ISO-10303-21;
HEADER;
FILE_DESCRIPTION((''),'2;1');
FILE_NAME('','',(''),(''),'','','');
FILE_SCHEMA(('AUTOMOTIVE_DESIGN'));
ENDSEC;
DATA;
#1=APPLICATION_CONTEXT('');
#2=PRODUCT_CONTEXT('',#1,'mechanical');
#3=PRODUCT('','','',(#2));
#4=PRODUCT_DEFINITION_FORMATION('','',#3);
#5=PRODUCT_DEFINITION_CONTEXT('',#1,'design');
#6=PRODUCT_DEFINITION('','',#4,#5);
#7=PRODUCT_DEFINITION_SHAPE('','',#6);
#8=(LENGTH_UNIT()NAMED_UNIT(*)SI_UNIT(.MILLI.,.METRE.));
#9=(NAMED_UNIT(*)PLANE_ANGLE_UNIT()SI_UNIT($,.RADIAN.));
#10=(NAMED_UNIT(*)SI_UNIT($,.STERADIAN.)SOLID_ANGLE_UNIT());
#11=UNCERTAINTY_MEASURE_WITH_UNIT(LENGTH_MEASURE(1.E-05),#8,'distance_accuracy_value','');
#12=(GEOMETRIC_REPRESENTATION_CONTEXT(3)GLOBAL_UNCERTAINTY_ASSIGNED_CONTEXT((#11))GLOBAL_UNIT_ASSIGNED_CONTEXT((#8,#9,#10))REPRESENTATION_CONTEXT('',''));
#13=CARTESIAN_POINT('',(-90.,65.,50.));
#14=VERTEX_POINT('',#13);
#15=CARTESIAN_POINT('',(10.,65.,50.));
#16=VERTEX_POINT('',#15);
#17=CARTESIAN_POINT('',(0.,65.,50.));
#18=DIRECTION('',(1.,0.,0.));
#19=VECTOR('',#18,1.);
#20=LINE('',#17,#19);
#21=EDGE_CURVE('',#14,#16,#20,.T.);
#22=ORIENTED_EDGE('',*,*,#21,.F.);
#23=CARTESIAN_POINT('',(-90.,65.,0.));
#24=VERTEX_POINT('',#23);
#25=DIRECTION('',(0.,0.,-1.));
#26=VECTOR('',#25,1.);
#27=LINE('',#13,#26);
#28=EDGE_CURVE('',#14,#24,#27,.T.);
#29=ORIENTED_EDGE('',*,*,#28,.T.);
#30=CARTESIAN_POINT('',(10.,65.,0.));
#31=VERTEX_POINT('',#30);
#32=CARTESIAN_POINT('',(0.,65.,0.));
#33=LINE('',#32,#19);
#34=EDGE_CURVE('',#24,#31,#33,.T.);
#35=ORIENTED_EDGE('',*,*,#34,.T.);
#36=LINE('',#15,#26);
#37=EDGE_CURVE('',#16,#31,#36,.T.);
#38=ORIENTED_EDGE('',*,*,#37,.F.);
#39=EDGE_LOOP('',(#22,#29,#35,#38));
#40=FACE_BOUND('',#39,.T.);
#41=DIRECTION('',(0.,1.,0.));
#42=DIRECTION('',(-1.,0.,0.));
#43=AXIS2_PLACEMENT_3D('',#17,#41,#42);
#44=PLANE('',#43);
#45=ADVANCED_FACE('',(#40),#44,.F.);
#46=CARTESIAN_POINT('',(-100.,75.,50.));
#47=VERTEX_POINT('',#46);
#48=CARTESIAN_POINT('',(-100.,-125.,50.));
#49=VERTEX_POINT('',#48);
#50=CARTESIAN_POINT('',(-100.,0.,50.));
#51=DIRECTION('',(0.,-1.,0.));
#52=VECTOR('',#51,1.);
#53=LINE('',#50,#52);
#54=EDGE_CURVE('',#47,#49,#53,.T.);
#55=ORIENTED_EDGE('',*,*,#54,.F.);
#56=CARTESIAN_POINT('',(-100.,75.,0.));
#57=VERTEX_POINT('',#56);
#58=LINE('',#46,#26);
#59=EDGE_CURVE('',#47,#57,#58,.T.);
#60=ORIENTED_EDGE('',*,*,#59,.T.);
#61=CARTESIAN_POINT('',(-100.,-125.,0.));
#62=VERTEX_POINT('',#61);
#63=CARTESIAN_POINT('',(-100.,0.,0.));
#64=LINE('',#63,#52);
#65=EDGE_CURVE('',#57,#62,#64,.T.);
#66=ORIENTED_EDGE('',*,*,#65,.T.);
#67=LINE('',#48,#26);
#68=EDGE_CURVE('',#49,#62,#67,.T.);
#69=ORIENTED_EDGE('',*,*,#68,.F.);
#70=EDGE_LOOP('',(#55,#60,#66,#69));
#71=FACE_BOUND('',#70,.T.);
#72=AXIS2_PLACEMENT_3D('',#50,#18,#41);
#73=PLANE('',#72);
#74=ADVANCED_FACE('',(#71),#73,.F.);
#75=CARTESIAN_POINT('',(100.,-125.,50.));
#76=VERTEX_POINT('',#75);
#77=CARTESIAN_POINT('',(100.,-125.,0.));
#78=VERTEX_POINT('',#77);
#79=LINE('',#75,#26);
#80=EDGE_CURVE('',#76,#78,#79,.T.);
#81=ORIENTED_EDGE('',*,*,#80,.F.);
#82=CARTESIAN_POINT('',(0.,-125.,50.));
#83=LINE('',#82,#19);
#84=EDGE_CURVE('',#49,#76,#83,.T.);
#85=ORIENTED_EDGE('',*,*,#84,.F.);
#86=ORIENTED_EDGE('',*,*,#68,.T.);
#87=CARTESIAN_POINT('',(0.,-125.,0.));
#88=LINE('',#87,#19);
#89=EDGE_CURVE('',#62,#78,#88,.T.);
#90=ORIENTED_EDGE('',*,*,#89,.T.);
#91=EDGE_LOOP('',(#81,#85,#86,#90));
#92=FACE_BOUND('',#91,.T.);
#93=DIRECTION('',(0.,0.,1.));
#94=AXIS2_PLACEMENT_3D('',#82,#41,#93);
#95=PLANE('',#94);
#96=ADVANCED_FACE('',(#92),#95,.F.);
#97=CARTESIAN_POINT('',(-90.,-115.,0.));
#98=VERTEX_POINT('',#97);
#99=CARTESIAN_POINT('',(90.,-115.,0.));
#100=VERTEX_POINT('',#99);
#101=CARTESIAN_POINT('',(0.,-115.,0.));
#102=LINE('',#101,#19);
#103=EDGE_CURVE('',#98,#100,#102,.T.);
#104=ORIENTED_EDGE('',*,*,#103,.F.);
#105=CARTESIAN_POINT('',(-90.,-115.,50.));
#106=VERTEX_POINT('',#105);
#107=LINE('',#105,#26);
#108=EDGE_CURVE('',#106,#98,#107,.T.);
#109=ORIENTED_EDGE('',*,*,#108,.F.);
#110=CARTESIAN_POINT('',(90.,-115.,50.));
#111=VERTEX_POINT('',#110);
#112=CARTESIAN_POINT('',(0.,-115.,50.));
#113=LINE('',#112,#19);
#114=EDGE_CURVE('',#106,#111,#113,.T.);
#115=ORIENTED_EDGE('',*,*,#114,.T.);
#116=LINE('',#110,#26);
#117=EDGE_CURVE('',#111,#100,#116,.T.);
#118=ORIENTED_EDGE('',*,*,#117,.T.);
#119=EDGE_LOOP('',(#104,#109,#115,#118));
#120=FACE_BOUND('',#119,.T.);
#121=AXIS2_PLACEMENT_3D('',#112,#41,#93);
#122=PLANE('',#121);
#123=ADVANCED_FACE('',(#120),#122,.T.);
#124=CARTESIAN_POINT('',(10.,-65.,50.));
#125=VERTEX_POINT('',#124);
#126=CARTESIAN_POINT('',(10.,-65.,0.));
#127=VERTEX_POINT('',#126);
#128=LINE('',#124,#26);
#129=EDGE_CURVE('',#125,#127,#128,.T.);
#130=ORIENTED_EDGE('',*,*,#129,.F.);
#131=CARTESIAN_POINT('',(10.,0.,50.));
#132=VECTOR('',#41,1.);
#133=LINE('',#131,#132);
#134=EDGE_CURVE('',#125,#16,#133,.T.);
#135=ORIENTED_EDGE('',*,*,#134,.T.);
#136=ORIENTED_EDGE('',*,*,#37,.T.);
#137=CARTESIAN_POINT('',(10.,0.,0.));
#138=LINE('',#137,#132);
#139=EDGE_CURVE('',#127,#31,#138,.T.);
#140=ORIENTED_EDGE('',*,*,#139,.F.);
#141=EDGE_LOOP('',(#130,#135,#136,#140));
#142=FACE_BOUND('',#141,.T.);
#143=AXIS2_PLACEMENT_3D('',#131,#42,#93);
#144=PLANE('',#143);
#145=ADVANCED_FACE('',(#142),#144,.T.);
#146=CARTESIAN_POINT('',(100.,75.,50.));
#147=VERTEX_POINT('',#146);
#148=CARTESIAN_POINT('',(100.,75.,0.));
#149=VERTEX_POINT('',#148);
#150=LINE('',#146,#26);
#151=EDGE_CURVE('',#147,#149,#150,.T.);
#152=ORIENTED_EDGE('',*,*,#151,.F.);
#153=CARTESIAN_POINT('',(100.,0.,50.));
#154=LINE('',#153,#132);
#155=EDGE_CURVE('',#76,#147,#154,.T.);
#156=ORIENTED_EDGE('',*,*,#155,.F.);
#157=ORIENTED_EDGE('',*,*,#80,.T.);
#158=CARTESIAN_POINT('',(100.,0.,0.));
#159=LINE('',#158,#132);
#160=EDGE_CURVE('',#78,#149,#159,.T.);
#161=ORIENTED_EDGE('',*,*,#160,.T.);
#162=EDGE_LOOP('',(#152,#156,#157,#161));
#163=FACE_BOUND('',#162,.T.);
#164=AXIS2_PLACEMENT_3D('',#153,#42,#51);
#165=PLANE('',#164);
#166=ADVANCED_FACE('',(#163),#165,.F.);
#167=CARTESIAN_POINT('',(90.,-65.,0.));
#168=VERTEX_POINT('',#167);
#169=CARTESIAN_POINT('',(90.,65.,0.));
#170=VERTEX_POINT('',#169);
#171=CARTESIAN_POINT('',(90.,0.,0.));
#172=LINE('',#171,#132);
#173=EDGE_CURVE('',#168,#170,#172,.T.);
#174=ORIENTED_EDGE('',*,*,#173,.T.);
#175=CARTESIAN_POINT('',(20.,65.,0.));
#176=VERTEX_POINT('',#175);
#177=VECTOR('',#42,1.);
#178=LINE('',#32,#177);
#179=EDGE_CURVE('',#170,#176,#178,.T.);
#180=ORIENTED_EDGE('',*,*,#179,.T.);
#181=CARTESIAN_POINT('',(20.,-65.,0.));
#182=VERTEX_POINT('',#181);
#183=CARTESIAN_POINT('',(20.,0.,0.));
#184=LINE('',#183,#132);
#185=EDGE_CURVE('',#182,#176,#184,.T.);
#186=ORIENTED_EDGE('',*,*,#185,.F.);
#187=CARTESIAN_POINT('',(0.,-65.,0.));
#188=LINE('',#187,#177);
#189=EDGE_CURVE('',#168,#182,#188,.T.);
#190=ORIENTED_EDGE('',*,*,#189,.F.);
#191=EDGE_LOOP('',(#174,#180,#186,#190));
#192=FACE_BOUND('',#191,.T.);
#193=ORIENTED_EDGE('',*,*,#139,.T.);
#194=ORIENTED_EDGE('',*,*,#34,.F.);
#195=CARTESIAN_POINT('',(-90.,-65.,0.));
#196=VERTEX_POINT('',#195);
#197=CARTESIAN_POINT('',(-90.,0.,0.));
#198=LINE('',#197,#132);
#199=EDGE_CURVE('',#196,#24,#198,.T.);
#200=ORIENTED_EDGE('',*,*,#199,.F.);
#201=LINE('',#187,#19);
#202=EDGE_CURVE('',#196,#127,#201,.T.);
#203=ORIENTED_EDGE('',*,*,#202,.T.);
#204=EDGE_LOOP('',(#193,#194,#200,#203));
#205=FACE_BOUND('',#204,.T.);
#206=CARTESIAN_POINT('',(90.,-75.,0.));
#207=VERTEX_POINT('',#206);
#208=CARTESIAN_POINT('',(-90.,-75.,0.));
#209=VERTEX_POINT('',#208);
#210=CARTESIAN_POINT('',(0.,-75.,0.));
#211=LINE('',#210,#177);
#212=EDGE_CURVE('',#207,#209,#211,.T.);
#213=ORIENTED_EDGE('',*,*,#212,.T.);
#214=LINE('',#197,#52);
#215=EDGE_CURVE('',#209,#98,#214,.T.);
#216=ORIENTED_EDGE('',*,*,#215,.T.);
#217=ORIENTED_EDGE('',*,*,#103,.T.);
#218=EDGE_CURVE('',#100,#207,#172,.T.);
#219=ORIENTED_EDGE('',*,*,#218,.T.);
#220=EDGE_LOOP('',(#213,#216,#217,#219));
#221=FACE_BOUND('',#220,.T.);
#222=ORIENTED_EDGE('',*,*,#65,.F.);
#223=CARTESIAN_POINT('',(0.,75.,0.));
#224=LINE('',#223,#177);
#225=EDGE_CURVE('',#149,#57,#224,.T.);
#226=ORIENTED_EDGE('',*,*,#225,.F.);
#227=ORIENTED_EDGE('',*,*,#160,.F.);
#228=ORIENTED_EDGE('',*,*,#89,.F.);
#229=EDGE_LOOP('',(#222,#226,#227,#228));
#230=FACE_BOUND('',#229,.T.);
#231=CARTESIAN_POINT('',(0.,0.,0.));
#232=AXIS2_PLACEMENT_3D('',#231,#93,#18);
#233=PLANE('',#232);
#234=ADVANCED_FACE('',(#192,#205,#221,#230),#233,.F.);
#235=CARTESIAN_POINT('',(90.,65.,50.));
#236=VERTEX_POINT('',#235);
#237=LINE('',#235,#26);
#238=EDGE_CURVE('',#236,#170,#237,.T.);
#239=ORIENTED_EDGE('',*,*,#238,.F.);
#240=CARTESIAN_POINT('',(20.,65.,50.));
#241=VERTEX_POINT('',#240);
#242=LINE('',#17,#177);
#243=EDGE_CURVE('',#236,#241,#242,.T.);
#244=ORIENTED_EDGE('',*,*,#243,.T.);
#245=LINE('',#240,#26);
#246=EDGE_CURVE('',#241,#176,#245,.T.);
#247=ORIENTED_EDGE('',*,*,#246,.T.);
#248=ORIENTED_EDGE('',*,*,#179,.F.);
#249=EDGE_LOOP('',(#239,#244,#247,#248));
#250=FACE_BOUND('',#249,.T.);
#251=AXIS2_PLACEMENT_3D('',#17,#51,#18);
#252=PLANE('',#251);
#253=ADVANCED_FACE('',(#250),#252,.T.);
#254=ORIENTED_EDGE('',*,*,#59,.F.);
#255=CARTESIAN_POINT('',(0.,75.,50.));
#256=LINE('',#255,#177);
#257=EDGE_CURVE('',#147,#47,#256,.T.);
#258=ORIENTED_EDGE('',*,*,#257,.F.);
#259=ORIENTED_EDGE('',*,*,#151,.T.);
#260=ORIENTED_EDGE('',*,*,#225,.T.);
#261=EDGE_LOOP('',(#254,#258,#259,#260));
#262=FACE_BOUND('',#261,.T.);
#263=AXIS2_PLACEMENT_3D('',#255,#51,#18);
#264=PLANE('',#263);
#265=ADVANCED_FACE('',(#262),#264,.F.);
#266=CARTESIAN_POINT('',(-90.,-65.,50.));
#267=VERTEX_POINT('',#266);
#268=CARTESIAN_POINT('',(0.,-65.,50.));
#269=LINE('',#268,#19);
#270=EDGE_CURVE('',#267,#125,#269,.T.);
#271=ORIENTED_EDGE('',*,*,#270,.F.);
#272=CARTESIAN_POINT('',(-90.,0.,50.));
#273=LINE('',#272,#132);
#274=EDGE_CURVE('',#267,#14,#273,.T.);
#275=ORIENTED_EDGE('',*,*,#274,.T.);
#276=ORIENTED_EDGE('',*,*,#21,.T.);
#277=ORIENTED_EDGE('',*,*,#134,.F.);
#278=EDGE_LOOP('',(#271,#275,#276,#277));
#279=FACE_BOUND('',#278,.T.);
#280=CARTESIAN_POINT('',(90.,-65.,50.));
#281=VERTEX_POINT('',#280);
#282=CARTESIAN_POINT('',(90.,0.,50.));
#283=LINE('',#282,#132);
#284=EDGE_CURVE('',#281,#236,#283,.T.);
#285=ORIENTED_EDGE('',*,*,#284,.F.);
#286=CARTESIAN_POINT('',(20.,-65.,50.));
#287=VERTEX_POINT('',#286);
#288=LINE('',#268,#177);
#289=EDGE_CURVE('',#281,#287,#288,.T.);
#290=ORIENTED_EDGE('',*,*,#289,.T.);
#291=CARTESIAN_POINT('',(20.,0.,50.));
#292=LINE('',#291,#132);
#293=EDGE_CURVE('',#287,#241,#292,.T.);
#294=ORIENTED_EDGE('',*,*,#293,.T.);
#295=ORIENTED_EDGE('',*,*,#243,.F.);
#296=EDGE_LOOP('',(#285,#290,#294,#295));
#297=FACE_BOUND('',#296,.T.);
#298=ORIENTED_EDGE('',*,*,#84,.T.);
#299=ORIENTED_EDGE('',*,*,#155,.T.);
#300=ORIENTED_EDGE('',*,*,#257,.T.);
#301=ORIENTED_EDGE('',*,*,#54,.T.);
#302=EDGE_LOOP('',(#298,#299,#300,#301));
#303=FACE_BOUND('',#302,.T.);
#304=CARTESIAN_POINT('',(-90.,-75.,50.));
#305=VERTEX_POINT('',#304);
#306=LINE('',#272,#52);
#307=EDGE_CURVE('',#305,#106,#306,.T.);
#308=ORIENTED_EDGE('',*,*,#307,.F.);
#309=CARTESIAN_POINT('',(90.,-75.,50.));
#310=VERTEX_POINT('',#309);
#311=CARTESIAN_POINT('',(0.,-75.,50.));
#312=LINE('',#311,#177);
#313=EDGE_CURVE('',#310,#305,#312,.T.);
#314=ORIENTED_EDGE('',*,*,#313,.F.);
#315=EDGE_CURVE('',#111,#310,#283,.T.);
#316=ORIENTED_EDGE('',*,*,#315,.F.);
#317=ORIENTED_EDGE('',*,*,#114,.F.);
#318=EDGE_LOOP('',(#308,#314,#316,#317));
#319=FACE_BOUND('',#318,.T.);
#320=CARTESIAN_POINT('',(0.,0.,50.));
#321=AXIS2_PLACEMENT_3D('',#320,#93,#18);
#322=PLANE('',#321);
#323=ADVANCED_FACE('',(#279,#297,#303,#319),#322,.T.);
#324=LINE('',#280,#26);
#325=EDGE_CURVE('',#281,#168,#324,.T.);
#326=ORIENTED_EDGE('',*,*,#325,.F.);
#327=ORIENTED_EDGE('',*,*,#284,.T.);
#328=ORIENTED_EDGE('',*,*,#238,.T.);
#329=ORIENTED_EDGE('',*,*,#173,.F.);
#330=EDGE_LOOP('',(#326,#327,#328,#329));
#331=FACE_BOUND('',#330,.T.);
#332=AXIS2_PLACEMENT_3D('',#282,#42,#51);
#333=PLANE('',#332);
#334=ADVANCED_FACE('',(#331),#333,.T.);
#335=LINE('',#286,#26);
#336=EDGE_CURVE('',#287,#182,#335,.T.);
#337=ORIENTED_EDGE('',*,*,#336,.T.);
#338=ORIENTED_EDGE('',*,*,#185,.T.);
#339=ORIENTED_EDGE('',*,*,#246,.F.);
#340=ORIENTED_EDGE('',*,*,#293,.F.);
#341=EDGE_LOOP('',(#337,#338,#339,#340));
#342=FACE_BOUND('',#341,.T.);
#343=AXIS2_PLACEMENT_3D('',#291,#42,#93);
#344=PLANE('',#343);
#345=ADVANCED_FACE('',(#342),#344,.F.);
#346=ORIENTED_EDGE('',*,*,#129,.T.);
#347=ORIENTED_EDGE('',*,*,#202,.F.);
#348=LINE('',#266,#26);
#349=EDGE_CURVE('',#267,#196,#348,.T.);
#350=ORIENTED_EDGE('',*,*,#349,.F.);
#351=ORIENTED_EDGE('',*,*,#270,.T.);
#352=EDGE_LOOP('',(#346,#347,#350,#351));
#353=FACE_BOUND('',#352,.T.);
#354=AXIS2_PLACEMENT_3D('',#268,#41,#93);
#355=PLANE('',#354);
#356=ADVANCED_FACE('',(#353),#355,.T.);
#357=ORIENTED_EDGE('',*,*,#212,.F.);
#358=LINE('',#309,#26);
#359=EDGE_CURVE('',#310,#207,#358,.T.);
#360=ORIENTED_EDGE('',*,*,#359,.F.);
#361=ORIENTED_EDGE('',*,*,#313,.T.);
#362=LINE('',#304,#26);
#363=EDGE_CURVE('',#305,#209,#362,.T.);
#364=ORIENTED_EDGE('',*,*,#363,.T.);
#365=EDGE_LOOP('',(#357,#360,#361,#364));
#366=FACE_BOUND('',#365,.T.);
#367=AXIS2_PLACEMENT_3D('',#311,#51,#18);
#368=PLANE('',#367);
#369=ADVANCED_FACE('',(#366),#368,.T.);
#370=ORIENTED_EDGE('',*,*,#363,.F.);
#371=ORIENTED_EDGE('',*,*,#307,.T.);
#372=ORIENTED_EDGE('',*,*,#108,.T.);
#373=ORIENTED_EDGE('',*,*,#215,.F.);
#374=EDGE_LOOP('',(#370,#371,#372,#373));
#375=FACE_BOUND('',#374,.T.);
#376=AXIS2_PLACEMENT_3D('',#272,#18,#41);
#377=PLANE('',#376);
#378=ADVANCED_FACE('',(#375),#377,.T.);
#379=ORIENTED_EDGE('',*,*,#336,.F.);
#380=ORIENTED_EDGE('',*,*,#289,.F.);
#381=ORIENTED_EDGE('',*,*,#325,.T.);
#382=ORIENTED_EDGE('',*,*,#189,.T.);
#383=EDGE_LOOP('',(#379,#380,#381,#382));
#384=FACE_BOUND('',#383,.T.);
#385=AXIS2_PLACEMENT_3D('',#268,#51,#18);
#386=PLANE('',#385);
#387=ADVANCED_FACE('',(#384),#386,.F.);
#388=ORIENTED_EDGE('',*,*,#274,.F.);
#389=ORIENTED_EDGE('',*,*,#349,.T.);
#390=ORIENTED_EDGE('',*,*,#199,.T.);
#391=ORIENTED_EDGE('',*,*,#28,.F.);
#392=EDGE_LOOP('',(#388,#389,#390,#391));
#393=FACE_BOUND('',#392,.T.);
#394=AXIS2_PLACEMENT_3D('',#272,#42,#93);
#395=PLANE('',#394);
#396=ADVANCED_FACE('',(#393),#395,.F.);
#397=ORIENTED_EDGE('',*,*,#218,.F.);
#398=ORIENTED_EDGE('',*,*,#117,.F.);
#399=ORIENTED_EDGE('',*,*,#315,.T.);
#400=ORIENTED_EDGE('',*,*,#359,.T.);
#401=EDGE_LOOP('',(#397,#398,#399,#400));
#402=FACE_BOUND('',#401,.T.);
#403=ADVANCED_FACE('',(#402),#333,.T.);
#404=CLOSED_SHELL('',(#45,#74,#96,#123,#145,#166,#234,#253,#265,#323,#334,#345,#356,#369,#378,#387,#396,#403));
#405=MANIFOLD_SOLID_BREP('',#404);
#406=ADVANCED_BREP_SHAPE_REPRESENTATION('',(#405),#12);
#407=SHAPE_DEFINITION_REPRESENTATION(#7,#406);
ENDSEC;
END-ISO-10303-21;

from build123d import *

# Parameters (mm, degrees)
SKETCH1_W           = 10
SKETCH1_H           = 40
SKETCH1_H_2         = 10
SKETCH1_W_2         = 180
SKETCH1_W_3         = 200
SKETCH1_H_3         = 150
SKETCH1_W_4         = 100
SKETCH1_H_4         = 130
SKETCH1_W_5         = 70
BOSS_EXTRUDE1_DEPTH = 50


with BuildPart() as part:
    # Sketch1 → Boss-Extrude1 (new body)
    # profile 1 of 6: a face of its own
    with BuildSketch(Plane.XY):
        with Locations((-95, -95)):
            Rectangle(SKETCH1_W, SKETCH1_H)
    # profile 2 of 6: a face of its own
    with BuildSketch(Plane.XY):
        with Locations((-95, -120)):
            Rectangle(SKETCH1_W, SKETCH1_H_2)
    # profile 3 of 6: a face of its own
    with BuildSketch(Plane.XY):
        with Locations((0, -120)):
            Rectangle(SKETCH1_W_2, SKETCH1_H_2)
    # profile 4 of 6: a face of its own
    with BuildSketch(Plane.XY):
        with Locations((95, -120)):
            Rectangle(SKETCH1_W, SKETCH1_H_2)
    # profile 5 of 6: a face of its own
    with BuildSketch(Plane.XY):
        with Locations((95, -95)):
            Rectangle(SKETCH1_W, SKETCH1_H)
    # profile 6 of 6: a face of its own
    with BuildSketch(Plane.XY):
        Rectangle(SKETCH1_W_3, SKETCH1_H_3)
        with Locations((-40, 0)):
            Rectangle(SKETCH1_W_4, SKETCH1_H_4, mode=Mode.SUBTRACT)
        with Locations((55, 0)):
            Rectangle(SKETCH1_W_5, SKETCH1_H_4, mode=Mode.SUBTRACT)
    extrude(amount=BOSS_EXTRUDE1_DEPTH)


solid = part.part
